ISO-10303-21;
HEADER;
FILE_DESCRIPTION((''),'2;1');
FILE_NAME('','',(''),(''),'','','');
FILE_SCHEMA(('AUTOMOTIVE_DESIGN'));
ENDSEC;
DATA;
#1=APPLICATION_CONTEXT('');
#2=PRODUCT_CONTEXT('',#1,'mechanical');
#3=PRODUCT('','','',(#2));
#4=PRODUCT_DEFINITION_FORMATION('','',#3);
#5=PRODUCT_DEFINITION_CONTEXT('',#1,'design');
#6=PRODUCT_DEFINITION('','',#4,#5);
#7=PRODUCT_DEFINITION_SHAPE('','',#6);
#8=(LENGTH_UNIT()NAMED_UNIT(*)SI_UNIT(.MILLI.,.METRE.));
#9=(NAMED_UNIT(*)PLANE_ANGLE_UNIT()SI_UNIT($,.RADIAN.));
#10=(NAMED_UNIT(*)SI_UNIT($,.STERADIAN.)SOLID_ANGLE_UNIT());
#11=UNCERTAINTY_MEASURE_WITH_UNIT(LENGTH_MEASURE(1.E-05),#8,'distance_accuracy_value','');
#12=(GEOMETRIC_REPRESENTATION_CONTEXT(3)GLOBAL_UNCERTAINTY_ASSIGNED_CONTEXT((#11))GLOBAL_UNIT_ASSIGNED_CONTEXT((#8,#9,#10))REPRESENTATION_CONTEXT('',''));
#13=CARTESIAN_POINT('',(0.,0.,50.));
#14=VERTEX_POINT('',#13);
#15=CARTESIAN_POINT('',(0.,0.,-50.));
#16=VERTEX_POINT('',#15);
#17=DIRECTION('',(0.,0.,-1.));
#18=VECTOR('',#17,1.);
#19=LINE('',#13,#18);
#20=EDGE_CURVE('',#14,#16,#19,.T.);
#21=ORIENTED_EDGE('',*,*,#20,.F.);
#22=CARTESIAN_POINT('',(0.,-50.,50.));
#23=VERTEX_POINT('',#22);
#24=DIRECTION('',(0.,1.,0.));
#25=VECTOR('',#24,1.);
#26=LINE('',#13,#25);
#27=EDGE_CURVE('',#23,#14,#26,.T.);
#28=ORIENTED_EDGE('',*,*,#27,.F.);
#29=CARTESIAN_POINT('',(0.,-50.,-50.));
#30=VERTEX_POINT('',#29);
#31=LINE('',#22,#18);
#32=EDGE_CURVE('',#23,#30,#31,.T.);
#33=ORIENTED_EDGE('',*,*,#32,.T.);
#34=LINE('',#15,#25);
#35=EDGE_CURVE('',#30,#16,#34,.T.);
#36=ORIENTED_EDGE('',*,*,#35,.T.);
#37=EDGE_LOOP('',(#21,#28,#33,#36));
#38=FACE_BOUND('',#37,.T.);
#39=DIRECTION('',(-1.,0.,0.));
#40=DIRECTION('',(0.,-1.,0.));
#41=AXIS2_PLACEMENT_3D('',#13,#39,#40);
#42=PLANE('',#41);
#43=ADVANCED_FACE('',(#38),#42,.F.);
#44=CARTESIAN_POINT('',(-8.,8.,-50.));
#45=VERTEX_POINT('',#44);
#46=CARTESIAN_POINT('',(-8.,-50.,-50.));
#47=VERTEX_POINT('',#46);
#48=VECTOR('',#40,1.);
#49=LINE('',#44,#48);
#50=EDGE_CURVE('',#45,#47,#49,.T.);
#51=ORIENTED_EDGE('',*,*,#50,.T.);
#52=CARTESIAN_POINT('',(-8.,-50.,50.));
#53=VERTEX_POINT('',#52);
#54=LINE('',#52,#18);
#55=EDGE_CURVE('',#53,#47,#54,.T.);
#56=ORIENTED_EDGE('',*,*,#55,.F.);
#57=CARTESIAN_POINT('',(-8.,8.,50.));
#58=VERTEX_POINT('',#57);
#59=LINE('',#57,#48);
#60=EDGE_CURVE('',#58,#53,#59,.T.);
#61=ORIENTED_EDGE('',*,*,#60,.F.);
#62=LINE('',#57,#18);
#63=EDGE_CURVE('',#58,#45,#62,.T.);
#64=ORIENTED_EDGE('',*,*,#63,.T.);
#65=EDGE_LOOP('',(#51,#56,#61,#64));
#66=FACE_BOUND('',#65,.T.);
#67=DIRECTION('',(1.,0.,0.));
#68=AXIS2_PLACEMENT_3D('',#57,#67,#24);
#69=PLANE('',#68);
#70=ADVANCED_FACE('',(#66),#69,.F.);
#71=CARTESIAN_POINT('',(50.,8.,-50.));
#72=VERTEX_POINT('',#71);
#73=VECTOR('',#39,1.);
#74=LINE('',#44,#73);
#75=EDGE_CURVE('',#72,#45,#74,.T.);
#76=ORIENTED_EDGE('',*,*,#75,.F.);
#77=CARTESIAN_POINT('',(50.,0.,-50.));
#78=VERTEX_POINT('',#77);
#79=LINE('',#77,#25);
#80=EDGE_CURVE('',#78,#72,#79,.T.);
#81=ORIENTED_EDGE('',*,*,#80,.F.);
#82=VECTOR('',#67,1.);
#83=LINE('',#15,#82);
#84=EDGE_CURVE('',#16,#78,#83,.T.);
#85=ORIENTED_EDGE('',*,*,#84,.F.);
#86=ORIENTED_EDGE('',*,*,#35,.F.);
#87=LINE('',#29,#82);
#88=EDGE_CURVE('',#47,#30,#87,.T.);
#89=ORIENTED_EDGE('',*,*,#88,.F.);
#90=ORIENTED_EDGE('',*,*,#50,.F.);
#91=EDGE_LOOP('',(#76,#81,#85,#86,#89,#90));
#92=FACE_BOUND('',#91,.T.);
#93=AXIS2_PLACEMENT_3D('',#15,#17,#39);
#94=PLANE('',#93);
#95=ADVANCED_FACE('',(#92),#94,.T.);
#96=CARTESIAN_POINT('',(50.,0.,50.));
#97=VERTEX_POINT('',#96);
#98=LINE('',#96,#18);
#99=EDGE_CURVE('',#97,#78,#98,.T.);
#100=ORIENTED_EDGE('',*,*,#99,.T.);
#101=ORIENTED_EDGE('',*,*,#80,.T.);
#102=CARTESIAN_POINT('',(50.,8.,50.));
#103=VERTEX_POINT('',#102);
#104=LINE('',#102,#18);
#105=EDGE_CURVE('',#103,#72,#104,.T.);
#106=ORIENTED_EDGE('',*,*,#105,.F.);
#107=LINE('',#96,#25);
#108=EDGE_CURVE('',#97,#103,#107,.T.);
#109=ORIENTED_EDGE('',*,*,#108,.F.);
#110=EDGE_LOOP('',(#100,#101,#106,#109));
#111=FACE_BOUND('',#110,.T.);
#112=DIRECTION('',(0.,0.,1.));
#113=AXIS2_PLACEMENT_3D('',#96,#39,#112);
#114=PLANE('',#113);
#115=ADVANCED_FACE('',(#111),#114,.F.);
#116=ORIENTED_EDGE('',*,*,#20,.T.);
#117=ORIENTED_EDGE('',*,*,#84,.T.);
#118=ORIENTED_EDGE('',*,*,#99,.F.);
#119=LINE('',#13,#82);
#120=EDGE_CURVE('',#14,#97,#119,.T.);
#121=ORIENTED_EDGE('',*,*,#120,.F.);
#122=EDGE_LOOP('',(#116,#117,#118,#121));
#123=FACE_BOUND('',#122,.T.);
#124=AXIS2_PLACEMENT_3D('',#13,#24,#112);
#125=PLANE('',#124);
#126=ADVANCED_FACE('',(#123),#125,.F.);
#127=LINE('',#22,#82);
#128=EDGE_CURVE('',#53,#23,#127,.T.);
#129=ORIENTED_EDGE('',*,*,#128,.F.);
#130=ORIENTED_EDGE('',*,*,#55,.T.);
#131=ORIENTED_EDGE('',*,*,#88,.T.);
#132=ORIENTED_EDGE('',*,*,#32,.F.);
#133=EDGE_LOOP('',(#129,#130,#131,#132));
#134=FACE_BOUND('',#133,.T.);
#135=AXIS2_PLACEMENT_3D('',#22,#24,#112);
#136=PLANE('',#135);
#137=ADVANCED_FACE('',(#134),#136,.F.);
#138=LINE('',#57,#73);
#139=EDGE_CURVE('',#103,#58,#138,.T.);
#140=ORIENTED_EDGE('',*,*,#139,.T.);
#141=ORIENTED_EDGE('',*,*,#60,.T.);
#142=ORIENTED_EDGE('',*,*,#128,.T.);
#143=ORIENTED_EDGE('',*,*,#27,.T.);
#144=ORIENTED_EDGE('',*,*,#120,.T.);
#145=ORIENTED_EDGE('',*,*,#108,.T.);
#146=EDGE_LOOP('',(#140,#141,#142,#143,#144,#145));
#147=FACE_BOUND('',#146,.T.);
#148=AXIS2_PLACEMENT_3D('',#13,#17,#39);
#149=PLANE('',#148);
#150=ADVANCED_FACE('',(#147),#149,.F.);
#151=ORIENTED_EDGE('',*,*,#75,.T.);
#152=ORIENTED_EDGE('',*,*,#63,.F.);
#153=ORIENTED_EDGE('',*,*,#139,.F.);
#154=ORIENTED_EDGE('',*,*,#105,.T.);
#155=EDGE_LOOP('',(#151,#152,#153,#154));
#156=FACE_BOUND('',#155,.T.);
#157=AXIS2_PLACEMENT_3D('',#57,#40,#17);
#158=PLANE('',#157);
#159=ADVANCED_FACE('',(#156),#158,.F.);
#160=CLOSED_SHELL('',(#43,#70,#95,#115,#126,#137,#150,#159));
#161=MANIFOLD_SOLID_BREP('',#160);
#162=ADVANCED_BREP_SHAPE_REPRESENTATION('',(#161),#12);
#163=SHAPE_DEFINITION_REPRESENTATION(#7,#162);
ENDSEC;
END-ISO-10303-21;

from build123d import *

# Parameters (mm, degrees)
BOSS_EXTRUDE1_DEPTH = 50


with BuildPart() as part:
    # Sketch1 → Boss-Extrude1 (new, symmetric)
    with BuildSketch(Plane.XY):
        Polygon((0, 0), (50, 0), (50, 8), (-8, 8), (-8, -50), (0, -50), align=None)
    extrude(amount=BOSS_EXTRUDE1_DEPTH, both=True)


solid = part.part
